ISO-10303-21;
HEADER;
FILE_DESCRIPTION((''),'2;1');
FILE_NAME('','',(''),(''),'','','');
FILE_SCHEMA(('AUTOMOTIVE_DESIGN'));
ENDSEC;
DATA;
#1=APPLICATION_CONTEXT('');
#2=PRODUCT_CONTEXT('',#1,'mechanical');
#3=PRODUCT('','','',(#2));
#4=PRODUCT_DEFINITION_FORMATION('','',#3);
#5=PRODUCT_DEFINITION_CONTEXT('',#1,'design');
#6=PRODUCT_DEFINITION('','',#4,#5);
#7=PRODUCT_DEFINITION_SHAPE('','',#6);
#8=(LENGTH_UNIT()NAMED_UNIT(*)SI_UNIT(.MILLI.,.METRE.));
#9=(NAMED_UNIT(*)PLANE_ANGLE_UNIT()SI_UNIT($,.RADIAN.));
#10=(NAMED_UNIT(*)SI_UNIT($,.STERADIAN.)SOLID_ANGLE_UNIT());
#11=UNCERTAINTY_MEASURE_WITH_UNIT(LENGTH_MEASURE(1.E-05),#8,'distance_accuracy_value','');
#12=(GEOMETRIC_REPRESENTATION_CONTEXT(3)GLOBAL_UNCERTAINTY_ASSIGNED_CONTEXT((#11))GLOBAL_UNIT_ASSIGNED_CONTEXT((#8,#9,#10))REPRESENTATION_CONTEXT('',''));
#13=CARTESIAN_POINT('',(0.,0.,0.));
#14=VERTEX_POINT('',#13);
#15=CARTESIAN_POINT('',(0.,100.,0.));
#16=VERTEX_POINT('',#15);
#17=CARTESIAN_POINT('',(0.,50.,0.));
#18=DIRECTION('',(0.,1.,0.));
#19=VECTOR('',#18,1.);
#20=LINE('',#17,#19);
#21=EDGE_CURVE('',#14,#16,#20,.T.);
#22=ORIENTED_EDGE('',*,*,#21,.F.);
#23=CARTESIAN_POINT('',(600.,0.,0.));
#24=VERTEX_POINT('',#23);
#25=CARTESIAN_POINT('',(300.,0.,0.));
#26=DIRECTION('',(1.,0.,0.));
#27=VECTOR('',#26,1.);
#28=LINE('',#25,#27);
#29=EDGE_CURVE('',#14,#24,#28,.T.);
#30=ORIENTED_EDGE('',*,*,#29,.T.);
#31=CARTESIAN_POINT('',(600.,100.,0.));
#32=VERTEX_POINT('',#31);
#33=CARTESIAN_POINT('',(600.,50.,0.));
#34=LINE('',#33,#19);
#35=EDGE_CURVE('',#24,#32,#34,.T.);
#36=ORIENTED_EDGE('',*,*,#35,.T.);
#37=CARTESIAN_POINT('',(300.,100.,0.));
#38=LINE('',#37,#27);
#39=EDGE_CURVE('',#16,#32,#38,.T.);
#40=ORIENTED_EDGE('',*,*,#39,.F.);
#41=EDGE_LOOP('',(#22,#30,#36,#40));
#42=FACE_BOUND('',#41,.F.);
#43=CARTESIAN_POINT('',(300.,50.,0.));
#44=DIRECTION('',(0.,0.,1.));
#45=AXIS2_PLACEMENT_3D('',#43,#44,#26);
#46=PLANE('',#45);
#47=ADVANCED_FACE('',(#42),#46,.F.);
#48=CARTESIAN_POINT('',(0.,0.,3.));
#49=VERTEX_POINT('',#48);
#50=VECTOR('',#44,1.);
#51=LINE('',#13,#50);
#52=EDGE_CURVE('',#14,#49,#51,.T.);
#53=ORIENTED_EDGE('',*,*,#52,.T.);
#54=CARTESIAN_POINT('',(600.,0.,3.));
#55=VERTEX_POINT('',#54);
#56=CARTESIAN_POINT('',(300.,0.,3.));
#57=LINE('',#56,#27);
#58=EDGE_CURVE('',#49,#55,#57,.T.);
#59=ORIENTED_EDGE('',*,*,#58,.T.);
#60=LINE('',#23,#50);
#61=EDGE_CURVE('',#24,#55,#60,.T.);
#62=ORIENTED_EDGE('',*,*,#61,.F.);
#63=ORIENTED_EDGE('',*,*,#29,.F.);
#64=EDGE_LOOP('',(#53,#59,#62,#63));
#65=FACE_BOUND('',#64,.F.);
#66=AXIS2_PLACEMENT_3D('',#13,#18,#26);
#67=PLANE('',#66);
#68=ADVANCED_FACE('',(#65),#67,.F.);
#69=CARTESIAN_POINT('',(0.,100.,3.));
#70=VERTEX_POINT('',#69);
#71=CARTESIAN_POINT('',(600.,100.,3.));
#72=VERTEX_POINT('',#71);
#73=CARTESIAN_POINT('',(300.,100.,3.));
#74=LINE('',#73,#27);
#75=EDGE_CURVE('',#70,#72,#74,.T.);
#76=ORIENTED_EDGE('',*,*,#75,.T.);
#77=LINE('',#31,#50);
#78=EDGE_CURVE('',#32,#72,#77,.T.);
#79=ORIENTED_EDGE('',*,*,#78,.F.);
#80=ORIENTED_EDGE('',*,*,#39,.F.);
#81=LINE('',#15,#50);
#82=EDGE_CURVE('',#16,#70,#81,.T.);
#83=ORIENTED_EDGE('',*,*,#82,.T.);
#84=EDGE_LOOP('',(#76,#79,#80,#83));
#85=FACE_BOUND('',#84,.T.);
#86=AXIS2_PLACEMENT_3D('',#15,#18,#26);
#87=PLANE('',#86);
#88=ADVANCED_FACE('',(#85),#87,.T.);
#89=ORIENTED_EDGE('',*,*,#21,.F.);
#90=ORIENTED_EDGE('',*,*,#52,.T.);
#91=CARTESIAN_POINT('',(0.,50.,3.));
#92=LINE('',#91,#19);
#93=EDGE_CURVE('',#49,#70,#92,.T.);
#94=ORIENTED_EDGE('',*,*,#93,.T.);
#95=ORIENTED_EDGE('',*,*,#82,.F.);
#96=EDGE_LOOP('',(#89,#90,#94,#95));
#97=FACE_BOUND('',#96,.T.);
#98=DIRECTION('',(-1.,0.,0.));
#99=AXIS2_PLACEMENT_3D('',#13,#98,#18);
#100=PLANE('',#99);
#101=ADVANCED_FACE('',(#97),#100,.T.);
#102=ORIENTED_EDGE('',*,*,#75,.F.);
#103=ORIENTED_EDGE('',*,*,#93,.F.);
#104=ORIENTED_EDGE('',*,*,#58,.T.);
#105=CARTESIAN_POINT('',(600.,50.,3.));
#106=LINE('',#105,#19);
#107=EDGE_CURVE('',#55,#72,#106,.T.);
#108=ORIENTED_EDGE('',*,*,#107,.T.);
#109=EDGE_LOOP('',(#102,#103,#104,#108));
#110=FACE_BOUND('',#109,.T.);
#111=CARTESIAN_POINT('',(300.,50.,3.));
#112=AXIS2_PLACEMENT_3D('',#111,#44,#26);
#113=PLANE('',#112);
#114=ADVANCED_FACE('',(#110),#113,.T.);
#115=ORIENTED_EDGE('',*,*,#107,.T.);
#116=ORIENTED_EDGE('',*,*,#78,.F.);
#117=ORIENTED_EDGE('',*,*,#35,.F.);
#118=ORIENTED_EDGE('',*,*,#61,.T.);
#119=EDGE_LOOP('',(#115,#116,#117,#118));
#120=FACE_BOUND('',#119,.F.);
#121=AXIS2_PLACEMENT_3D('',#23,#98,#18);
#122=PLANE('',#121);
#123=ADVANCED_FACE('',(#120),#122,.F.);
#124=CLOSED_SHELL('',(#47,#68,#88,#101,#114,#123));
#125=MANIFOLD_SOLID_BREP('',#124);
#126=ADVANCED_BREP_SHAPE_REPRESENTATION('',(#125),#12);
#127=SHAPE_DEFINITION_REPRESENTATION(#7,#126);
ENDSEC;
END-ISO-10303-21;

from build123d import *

# Parameters (mm, degrees)
SKETCH2_W           = 600
SKETCH2_H           = 100
BOSS_EXTRUDE1_DEPTH = 3


with BuildPart() as part:
    # Sketch2 → Boss-Extrude1 (new body)
    with BuildSketch(Plane.XY):
        with Locations((300, 50)):
            Rectangle(SKETCH2_W, SKETCH2_H)
    extrude(amount=BOSS_EXTRUDE1_DEPTH)


solid = part.part
